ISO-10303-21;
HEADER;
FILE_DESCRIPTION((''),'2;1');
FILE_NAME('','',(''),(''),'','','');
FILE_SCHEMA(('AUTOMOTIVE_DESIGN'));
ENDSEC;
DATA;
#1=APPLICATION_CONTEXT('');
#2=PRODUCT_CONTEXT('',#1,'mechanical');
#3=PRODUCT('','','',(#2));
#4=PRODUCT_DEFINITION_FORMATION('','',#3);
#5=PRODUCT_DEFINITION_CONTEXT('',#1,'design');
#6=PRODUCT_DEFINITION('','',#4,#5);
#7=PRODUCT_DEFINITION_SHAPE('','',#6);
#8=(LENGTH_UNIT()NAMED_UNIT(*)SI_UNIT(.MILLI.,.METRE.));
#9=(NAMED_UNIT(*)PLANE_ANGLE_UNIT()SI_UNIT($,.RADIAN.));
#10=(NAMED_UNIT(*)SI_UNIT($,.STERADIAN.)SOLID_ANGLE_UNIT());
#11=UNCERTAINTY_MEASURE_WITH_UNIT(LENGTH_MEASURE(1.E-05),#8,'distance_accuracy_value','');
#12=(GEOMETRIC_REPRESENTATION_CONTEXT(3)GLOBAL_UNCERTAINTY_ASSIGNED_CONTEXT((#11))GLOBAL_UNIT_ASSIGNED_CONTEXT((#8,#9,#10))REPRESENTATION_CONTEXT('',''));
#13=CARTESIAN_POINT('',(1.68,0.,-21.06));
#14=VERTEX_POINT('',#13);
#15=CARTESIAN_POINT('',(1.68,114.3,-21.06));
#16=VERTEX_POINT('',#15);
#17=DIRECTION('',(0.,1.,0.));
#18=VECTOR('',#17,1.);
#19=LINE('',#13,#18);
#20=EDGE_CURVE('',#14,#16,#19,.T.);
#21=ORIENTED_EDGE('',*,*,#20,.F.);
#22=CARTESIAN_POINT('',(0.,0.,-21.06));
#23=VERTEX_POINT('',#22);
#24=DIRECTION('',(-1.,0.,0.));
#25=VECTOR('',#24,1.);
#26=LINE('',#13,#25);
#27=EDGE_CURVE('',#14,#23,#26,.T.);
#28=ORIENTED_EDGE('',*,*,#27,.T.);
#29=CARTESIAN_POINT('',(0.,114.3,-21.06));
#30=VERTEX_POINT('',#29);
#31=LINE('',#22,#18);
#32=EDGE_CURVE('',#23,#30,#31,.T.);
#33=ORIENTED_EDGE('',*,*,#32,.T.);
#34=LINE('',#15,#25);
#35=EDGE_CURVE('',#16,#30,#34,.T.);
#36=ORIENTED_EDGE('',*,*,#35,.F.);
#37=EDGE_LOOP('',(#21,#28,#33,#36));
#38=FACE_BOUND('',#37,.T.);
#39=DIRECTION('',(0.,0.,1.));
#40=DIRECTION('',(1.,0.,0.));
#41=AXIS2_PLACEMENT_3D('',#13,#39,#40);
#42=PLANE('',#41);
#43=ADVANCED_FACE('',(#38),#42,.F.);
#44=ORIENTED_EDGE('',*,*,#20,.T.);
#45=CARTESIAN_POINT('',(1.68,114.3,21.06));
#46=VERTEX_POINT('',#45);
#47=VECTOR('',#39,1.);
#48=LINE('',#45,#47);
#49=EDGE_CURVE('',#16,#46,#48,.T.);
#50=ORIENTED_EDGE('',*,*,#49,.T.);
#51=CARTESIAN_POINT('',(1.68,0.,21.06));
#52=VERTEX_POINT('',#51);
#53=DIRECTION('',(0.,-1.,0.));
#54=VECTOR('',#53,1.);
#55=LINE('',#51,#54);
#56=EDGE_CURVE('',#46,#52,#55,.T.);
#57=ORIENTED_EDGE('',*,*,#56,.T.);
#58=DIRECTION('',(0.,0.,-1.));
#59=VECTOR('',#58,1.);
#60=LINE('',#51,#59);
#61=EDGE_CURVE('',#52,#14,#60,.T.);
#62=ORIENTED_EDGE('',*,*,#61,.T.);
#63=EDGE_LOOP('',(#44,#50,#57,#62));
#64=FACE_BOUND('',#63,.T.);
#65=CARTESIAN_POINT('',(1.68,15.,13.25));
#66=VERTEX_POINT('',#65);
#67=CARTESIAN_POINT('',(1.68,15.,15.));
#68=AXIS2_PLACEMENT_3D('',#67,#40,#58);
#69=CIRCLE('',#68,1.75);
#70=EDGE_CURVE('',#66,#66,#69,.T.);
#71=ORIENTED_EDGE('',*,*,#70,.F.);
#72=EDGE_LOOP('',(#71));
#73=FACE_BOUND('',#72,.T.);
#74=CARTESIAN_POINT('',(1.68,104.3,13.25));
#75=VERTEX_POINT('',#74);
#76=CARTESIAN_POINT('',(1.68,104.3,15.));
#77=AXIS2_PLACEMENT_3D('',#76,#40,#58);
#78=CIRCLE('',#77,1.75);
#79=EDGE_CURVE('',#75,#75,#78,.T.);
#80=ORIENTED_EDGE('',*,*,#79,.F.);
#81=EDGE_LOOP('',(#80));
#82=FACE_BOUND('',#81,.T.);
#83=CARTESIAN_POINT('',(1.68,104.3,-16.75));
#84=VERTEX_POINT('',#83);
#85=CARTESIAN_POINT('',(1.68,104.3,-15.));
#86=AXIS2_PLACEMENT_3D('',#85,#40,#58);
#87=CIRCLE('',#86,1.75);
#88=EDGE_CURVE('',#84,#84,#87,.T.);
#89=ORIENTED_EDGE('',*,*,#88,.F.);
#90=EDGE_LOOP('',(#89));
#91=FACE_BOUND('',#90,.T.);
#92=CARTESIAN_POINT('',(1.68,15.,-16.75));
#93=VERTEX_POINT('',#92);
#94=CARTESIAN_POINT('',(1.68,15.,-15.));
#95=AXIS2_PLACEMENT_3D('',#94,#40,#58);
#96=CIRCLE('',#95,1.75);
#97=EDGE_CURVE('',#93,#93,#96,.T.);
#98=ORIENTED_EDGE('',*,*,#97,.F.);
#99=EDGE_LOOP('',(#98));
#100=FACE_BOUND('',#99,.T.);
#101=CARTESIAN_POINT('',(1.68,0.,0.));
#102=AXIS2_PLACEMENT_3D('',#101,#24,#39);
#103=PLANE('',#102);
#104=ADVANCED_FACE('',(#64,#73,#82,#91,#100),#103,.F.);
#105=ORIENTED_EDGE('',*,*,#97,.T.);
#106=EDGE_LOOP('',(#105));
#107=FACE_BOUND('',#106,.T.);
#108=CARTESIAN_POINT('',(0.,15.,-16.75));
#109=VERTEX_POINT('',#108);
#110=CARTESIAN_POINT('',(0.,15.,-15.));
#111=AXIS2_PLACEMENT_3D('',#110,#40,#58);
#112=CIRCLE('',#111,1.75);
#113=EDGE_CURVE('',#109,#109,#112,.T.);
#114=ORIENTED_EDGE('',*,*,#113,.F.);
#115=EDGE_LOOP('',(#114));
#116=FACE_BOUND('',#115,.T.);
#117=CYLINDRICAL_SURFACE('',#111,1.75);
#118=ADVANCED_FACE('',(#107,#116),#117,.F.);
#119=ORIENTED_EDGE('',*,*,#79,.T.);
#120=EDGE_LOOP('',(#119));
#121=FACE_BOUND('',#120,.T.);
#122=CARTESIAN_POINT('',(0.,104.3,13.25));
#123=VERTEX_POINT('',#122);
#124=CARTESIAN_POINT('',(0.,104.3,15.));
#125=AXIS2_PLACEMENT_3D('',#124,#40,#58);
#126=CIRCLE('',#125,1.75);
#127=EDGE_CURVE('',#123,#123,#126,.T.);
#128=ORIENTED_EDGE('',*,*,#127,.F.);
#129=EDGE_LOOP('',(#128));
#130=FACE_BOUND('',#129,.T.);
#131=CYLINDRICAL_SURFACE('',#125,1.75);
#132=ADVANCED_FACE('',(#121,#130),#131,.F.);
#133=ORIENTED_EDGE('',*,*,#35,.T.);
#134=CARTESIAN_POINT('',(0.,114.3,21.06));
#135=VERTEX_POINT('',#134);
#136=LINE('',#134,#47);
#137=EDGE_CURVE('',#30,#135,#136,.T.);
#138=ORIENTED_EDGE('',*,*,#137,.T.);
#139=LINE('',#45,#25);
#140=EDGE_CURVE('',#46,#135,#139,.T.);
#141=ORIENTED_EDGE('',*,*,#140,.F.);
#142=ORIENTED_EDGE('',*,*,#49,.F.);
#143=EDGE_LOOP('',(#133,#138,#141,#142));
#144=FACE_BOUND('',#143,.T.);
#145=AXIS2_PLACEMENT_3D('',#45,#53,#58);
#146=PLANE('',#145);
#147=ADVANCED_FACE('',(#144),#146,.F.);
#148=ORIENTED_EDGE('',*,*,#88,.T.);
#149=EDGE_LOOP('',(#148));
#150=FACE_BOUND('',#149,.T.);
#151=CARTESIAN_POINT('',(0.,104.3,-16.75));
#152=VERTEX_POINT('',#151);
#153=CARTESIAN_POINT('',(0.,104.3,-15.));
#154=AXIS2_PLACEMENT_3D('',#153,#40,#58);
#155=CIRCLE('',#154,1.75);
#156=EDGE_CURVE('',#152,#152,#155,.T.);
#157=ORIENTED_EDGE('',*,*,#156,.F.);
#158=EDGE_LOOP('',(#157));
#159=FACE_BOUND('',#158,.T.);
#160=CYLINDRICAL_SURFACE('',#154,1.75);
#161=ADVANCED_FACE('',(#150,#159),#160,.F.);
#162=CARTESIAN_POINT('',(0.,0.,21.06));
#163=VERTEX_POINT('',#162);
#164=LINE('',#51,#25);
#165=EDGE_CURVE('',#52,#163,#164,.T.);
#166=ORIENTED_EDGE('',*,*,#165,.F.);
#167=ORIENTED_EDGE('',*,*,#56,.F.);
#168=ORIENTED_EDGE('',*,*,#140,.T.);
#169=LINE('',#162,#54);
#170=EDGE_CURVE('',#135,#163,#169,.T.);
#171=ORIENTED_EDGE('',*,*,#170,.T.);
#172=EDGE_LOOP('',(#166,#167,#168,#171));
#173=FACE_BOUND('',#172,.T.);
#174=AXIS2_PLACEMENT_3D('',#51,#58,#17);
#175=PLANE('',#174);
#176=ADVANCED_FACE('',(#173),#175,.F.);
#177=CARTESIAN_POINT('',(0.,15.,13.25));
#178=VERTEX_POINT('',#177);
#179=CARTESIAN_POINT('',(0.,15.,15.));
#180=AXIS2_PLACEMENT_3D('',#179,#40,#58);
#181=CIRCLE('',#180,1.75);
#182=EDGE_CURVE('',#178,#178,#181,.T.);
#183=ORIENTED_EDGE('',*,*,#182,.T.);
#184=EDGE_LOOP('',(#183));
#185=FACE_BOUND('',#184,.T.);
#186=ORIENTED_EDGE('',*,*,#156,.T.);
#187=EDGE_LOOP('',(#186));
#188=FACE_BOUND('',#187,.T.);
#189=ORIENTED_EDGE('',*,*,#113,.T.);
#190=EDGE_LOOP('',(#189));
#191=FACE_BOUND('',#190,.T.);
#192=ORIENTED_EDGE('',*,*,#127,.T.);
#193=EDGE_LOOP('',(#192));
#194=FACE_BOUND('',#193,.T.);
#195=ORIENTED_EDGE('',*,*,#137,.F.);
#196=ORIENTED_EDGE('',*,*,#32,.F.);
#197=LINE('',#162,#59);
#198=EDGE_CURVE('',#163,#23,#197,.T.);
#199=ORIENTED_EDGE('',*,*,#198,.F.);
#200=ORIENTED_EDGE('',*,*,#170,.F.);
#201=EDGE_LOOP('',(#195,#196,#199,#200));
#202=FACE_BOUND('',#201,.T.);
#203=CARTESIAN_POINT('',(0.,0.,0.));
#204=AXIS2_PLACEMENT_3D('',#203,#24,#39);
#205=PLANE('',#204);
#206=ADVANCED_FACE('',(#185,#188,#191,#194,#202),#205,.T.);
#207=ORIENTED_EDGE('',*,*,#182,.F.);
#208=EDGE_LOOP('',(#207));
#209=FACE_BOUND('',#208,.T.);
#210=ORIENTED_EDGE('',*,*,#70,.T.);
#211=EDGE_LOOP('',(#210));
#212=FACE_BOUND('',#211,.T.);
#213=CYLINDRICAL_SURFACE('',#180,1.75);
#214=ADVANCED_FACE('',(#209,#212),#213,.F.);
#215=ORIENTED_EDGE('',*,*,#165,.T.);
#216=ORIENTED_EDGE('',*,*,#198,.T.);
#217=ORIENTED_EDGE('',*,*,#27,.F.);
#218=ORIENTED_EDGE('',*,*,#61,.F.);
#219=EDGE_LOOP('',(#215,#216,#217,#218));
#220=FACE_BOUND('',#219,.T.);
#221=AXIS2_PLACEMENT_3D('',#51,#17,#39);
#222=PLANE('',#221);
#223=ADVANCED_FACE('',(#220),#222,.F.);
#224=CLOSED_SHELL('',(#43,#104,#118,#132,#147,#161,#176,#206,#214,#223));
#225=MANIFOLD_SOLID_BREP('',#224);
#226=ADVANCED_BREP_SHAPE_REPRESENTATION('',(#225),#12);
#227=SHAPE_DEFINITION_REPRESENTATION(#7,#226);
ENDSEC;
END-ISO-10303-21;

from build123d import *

# Parameters (mm, degrees)
SKETCH1_W           = 42.12
SKETCH1_H           = 114.3
BOSS_EXTRUDE1_DEPTH = 1.68
SKETCH2_R           = 1.75
CUT_EXTRUDE1_DEPTH  = 117.236121752


with BuildPart() as part:
    # Sketch1 → Boss-Extrude1 (new body)
    with BuildSketch(Plane(origin=(0, 0, 0), x_dir=(0, 0, -1), z_dir=(1, 0, 0))):
        with Locations((0, 57.15)):
            Rectangle(SKETCH1_W, SKETCH1_H)
    extrude(amount=BOSS_EXTRUDE1_DEPTH)

    # Sketch2 → Cut-Extrude1 (cut, through all)
    with BuildSketch(Plane(origin=(1.68, 0, 0), x_dir=(0, 0, -1), z_dir=(1, 0, 0))):
        with Locations((-15, 104.3)):
            Circle(SKETCH2_R)
        with Locations((15, 104.3)):
            Circle(SKETCH2_R)
        with Locations((15, 15)):
            Circle(SKETCH2_R)
        with Locations((-15, 15)):
            Circle(SKETCH2_R)
    extrude(amount=-CUT_EXTRUDE1_DEPTH, mode=Mode.SUBTRACT)


solid = part.part
